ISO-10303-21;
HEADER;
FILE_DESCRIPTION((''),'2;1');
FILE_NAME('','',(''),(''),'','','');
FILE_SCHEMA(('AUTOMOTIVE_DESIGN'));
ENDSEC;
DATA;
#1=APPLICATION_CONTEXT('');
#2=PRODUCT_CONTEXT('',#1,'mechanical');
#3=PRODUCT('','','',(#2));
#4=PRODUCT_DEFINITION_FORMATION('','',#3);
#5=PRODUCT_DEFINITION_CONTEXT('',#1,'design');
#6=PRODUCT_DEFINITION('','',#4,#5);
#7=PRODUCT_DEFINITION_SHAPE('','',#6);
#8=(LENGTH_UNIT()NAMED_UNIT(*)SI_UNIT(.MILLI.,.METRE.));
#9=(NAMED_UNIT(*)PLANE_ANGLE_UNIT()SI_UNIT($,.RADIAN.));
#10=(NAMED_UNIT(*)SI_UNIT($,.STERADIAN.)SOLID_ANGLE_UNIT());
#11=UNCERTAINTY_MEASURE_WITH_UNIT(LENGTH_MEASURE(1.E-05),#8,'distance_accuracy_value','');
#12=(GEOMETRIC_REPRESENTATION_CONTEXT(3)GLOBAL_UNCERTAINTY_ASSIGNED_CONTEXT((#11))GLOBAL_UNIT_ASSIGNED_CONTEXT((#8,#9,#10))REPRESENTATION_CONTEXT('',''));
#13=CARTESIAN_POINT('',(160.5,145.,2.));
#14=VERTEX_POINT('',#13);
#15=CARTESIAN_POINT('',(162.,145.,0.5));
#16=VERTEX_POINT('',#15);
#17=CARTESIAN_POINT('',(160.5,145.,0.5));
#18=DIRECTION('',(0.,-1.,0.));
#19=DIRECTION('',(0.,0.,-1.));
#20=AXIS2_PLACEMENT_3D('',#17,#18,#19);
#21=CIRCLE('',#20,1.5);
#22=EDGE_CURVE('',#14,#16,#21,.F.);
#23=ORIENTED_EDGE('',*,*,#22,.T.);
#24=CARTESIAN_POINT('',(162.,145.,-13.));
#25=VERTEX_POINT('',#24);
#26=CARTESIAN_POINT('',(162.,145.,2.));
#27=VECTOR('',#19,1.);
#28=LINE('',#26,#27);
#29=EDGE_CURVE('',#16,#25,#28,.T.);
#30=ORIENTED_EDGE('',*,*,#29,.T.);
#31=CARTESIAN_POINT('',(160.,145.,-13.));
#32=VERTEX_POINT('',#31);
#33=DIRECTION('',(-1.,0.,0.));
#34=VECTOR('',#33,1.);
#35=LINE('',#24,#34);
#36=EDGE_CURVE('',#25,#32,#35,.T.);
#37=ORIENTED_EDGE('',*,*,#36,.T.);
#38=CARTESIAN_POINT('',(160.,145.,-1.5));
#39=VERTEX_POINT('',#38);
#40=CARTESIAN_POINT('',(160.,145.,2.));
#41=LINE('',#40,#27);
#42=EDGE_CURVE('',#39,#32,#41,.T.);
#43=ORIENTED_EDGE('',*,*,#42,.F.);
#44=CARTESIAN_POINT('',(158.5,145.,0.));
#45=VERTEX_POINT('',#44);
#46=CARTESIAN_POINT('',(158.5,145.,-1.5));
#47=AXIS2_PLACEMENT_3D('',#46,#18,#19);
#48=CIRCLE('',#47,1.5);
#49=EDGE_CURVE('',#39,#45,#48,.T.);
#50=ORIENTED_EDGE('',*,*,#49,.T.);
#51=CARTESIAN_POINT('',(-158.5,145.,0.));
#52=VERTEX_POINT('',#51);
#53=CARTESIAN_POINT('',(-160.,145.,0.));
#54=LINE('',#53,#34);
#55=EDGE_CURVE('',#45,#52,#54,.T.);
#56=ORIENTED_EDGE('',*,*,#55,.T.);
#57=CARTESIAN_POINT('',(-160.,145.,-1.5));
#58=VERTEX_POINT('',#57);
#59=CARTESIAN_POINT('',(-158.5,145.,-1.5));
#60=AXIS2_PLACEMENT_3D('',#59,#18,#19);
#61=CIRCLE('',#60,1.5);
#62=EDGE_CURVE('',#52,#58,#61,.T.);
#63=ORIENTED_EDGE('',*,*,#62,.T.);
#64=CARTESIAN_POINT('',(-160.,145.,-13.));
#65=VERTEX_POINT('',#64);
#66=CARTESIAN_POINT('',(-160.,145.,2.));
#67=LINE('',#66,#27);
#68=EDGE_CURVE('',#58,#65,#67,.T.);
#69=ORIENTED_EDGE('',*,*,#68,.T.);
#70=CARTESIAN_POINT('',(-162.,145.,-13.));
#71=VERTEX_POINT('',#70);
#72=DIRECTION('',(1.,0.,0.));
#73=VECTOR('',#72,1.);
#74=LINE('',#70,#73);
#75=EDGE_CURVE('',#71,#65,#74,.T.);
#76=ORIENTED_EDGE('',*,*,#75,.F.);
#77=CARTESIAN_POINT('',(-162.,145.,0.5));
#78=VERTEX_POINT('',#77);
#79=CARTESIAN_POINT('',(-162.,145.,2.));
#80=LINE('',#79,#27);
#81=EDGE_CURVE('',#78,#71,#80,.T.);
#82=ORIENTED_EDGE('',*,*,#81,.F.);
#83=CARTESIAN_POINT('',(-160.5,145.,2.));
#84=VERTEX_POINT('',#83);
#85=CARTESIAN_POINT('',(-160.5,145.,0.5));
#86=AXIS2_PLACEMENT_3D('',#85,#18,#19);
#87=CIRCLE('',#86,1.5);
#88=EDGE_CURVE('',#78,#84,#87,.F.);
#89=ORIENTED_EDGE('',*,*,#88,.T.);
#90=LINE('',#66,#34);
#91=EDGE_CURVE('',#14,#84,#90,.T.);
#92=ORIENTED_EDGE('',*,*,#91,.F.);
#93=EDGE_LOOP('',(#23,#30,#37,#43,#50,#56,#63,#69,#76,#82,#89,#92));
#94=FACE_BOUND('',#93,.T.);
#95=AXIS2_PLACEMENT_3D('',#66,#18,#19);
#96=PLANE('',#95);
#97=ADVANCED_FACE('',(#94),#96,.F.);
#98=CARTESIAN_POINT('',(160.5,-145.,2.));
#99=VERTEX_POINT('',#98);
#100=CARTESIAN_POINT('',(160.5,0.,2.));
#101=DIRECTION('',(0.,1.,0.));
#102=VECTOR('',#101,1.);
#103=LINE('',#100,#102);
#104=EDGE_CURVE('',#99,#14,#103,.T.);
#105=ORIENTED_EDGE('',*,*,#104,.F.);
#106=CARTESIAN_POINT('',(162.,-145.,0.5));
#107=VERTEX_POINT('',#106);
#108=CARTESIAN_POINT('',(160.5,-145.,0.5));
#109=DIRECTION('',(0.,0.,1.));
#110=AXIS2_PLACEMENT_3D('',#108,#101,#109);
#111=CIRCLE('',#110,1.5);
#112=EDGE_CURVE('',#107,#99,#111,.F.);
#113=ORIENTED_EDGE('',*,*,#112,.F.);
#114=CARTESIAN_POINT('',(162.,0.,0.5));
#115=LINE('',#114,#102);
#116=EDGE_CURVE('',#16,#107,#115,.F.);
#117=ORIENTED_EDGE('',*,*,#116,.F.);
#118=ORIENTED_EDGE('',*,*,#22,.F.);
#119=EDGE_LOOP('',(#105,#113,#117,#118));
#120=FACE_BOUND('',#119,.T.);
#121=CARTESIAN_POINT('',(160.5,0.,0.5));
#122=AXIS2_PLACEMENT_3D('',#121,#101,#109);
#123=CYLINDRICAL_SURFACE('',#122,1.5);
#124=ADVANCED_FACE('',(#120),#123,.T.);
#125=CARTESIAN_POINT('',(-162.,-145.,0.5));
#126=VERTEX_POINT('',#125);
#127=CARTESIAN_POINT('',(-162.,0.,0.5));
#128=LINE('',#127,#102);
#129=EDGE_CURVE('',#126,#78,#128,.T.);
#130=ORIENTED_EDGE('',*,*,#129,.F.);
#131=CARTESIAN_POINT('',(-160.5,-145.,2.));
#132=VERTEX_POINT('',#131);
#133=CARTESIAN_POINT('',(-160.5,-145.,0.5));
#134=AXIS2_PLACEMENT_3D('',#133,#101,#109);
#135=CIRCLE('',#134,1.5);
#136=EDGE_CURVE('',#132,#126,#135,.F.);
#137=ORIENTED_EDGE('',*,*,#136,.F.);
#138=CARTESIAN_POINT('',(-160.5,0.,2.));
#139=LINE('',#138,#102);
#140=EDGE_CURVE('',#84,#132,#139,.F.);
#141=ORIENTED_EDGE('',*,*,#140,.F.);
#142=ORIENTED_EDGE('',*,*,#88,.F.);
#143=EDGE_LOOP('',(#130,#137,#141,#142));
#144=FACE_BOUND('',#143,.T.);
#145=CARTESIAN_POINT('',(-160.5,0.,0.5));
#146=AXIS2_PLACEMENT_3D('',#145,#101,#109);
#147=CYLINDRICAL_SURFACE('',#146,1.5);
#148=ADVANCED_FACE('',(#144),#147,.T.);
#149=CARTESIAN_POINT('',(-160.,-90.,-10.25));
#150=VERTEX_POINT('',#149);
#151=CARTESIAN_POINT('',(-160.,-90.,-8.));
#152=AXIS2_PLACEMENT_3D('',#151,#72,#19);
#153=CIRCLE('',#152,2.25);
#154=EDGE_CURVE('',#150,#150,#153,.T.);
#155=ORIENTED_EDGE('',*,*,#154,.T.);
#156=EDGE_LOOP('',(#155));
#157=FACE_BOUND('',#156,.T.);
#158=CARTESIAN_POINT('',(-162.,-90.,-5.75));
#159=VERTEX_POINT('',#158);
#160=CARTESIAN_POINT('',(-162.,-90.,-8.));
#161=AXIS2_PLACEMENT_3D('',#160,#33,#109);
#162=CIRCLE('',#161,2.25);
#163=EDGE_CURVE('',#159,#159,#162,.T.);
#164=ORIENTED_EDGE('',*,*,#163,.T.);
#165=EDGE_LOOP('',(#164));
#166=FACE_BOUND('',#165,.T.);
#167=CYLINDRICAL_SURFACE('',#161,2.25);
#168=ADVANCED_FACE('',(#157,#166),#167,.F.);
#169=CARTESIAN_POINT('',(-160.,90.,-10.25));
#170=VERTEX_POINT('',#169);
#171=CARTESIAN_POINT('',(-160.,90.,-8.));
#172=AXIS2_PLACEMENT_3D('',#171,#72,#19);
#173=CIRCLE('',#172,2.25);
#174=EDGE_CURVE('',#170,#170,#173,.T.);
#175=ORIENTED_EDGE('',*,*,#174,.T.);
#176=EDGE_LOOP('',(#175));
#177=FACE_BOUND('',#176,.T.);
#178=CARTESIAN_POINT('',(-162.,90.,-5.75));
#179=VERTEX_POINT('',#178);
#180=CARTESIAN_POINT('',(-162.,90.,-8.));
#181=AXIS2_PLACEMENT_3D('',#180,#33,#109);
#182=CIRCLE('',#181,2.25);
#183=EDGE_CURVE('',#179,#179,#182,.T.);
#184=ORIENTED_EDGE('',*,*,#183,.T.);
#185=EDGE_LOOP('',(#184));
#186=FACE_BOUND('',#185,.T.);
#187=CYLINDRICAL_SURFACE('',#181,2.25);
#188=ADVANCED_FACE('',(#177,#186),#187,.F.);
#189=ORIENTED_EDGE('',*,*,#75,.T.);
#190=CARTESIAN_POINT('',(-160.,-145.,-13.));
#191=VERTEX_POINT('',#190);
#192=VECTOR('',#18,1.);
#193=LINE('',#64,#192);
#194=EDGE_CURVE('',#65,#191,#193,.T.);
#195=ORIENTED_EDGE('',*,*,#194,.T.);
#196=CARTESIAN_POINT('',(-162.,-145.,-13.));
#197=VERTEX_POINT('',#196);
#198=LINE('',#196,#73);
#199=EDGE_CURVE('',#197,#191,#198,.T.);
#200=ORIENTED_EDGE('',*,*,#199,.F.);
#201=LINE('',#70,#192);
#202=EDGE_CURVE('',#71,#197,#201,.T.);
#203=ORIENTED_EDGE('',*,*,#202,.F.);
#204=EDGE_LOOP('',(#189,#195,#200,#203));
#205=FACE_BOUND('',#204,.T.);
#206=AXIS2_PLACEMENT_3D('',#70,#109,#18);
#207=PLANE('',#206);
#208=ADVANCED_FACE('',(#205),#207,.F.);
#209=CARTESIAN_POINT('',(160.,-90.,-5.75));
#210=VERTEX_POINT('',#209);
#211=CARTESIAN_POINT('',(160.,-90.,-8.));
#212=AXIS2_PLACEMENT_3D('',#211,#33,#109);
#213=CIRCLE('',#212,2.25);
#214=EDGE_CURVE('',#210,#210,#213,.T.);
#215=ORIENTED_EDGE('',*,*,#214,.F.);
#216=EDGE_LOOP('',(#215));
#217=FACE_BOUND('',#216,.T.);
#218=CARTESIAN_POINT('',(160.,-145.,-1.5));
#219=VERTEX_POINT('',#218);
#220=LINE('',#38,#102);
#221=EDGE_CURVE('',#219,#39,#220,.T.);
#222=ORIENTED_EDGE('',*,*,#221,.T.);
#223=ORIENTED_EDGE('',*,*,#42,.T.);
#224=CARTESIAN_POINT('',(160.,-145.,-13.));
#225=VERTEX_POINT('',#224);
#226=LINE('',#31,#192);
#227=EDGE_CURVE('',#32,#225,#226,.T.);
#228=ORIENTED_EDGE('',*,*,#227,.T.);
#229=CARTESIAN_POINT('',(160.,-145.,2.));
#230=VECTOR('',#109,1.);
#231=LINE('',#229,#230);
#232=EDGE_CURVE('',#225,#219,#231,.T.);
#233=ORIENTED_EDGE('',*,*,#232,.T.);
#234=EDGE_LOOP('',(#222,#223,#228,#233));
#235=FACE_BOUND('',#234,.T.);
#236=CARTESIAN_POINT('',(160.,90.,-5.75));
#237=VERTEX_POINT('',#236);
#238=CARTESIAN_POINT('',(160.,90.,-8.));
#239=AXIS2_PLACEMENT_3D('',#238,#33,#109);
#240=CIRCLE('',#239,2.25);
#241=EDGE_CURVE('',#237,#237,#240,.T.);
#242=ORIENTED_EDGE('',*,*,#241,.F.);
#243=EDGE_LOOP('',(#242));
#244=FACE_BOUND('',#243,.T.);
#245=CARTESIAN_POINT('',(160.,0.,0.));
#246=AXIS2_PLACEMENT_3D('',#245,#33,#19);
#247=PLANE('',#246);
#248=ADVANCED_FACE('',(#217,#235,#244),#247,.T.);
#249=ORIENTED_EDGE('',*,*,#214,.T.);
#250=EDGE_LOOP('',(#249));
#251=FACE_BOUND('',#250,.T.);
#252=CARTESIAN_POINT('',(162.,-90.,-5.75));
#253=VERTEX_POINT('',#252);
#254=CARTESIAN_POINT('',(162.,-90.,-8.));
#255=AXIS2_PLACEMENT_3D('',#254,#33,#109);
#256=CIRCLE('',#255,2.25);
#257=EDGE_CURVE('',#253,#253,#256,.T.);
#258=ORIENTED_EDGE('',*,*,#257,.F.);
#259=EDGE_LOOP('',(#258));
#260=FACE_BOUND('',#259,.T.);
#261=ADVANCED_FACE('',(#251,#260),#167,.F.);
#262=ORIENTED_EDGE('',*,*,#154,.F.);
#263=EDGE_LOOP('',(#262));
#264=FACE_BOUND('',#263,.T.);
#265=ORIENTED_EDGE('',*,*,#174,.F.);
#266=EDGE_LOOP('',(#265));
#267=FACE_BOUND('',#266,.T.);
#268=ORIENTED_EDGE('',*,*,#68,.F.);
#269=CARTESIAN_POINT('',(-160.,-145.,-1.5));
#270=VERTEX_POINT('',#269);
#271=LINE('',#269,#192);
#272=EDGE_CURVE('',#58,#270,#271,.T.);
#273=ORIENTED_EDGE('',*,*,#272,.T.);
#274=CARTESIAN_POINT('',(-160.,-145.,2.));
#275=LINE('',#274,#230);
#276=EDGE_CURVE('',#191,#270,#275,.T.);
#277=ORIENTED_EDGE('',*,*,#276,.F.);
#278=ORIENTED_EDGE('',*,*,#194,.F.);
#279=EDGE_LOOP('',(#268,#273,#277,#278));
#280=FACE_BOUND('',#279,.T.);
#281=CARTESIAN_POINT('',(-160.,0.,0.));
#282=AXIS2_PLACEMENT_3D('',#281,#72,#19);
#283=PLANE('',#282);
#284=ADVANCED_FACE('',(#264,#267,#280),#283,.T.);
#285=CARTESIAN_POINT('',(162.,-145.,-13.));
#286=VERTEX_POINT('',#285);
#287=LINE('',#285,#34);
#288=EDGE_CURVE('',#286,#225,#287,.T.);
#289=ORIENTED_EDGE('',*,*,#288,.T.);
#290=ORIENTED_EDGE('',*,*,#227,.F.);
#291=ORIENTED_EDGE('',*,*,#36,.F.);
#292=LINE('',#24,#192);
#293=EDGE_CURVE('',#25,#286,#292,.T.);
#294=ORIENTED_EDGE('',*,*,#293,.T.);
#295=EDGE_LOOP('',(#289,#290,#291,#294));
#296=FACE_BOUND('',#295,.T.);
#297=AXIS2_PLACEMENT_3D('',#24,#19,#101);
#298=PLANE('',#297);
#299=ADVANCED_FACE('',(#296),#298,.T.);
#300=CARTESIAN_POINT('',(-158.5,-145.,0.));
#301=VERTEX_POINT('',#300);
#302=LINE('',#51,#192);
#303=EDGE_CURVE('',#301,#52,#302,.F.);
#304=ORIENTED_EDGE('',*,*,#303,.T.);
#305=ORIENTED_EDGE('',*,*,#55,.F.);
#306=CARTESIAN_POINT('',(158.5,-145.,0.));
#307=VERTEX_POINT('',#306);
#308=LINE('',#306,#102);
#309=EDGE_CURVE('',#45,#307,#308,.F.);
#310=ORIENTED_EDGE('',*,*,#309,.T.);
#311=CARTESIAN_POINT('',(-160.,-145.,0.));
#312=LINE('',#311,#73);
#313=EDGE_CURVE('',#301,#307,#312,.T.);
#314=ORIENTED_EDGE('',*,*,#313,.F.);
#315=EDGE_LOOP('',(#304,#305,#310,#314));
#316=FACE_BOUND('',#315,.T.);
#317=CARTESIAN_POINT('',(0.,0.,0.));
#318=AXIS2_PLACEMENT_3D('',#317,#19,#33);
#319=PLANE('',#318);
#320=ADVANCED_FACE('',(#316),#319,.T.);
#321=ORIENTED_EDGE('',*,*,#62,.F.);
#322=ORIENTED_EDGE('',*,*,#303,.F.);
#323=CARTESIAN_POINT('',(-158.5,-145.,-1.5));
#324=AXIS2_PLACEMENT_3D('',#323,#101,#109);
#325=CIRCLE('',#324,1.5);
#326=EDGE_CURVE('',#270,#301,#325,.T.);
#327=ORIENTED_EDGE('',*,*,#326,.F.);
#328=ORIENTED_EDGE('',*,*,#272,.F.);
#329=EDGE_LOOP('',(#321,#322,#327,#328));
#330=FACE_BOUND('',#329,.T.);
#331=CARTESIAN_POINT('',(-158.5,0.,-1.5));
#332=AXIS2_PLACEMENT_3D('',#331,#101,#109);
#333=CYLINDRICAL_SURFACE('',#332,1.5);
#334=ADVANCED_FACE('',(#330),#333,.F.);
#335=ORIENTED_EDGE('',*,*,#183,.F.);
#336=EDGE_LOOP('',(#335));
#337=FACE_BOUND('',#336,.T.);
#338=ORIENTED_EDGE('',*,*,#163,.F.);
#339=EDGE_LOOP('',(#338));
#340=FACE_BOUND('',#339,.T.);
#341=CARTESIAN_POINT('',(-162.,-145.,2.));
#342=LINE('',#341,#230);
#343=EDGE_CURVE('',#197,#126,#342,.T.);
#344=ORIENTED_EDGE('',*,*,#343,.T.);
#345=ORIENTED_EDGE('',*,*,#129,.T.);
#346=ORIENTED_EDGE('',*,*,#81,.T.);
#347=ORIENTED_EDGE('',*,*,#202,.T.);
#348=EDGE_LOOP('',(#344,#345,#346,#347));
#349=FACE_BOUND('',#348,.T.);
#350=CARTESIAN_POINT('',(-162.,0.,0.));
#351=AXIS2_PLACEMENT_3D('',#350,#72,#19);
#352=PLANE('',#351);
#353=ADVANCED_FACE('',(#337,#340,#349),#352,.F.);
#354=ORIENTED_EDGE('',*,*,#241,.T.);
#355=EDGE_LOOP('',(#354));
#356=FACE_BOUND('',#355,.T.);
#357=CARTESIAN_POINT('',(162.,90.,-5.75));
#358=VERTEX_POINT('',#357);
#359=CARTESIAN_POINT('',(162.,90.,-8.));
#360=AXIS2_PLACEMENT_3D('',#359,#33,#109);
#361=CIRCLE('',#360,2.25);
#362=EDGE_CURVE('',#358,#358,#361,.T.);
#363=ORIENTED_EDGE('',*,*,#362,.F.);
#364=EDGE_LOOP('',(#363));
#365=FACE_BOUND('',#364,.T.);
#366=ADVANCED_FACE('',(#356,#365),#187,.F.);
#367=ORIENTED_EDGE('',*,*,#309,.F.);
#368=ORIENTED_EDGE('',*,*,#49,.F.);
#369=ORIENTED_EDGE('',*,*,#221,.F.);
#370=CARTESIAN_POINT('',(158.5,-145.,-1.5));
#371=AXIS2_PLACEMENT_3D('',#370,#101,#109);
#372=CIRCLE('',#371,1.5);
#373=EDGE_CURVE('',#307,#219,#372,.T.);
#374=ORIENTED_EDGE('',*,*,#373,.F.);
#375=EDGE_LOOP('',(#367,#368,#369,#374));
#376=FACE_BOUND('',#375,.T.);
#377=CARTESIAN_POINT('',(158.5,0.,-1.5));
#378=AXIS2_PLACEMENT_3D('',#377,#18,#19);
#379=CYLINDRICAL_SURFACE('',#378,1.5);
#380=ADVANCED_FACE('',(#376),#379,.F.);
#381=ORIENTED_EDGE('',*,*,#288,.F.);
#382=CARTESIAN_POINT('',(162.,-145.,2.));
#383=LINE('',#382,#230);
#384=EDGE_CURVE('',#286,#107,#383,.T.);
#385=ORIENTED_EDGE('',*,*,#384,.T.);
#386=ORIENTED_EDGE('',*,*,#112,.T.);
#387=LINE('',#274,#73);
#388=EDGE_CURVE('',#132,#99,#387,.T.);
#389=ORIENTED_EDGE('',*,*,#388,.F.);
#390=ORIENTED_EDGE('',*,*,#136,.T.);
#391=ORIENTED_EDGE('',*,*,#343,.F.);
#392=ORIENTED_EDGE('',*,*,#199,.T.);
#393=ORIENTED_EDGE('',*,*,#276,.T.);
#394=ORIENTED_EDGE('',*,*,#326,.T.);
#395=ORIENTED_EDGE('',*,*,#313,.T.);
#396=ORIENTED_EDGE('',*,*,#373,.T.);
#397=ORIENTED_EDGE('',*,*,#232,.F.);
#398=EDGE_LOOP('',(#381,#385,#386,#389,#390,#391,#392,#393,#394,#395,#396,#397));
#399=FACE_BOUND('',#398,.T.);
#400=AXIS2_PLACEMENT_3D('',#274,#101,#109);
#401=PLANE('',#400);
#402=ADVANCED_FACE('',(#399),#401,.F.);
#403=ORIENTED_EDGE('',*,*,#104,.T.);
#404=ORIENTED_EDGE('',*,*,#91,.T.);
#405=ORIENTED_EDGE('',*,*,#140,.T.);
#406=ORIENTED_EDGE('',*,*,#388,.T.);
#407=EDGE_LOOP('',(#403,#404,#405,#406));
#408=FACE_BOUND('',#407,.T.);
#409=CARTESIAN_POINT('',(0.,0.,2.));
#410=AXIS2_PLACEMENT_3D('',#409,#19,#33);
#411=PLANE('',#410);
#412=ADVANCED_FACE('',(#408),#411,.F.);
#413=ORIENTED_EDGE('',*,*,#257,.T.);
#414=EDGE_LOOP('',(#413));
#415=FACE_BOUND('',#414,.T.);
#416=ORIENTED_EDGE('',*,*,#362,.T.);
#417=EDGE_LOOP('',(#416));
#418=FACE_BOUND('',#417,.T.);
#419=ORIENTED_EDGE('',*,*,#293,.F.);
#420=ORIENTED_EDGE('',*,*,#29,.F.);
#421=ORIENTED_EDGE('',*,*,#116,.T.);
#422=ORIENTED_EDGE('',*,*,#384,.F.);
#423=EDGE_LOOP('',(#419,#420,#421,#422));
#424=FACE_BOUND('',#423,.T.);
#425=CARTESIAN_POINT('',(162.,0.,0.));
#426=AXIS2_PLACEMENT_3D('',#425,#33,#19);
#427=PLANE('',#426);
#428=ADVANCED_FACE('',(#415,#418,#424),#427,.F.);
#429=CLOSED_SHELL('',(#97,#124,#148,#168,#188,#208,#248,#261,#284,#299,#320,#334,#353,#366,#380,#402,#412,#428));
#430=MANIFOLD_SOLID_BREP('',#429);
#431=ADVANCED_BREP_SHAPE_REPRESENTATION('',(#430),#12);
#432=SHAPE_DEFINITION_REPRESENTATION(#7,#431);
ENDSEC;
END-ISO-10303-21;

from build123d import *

# Parameters (mm, degrees)
ESQUISSE1_W           = 320
ESQUISSE1_H           = 290
BOSS_EXTRU_1_DEPTH    = 2
ESQUISSE2_W           = 15
ESQUISSE2_H           = 290
BOSS_EXTRU_2_DEPTH    = 2
CONG_1_R              = 1.5
CONG_1_OF_SYM_TRIE1_R = 1.5
D_GAGEMENT_M41_D      = 4.5


with BuildPart() as part:
    # Esquisse1 → Boss.-Extru.1 (new body)
    with BuildSketch(Plane.XY):
        Rectangle(ESQUISSE1_W, ESQUISSE1_H)
    extrude(amount=BOSS_EXTRU_1_DEPTH)

    # Esquisse2 → Boss.-Extru.2 (add)
    with BuildSketch(Plane.ZY.offset(160)):
        with Locations((-5.5, 0)):
            Rectangle(ESQUISSE2_W, ESQUISSE2_H)
    boss_extru_2 = extrude(amount=BOSS_EXTRU_2_DEPTH)

    # Congé1
    cong_1_edges = [part.edges().sort_by_distance(p)[0] for p in [
        (-160, 0, 0),
        (-162, 0, 2),
    ]]
    fillet(cong_1_edges, radius=CONG_1_R)

    # Symétrie1: Boss.-Extru.2 across plane
    add(boss_extru_2.mirror(Plane(origin=(0, 0, 0), x_dir=(0, 0, 1), z_dir=(1, 0, 0))))

    # Congé1 of Symétrie1
    cong_1_of_sym_trie1_edges = [part.edges().sort_by_distance(p)[0] for p in [
        (160, 0, 0),
        (162, 0, 2),
    ]]
    fillet(cong_1_of_sym_trie1_edges, radius=CONG_1_OF_SYM_TRIE1_R)

    # Dégagement M41 (through all)
    with Locations(Plane.ZY.offset(162)):
        with Locations((-8, -90), (-8, 90)):
            Hole(D_GAGEMENT_M41_D / 2)


solid = part.part
